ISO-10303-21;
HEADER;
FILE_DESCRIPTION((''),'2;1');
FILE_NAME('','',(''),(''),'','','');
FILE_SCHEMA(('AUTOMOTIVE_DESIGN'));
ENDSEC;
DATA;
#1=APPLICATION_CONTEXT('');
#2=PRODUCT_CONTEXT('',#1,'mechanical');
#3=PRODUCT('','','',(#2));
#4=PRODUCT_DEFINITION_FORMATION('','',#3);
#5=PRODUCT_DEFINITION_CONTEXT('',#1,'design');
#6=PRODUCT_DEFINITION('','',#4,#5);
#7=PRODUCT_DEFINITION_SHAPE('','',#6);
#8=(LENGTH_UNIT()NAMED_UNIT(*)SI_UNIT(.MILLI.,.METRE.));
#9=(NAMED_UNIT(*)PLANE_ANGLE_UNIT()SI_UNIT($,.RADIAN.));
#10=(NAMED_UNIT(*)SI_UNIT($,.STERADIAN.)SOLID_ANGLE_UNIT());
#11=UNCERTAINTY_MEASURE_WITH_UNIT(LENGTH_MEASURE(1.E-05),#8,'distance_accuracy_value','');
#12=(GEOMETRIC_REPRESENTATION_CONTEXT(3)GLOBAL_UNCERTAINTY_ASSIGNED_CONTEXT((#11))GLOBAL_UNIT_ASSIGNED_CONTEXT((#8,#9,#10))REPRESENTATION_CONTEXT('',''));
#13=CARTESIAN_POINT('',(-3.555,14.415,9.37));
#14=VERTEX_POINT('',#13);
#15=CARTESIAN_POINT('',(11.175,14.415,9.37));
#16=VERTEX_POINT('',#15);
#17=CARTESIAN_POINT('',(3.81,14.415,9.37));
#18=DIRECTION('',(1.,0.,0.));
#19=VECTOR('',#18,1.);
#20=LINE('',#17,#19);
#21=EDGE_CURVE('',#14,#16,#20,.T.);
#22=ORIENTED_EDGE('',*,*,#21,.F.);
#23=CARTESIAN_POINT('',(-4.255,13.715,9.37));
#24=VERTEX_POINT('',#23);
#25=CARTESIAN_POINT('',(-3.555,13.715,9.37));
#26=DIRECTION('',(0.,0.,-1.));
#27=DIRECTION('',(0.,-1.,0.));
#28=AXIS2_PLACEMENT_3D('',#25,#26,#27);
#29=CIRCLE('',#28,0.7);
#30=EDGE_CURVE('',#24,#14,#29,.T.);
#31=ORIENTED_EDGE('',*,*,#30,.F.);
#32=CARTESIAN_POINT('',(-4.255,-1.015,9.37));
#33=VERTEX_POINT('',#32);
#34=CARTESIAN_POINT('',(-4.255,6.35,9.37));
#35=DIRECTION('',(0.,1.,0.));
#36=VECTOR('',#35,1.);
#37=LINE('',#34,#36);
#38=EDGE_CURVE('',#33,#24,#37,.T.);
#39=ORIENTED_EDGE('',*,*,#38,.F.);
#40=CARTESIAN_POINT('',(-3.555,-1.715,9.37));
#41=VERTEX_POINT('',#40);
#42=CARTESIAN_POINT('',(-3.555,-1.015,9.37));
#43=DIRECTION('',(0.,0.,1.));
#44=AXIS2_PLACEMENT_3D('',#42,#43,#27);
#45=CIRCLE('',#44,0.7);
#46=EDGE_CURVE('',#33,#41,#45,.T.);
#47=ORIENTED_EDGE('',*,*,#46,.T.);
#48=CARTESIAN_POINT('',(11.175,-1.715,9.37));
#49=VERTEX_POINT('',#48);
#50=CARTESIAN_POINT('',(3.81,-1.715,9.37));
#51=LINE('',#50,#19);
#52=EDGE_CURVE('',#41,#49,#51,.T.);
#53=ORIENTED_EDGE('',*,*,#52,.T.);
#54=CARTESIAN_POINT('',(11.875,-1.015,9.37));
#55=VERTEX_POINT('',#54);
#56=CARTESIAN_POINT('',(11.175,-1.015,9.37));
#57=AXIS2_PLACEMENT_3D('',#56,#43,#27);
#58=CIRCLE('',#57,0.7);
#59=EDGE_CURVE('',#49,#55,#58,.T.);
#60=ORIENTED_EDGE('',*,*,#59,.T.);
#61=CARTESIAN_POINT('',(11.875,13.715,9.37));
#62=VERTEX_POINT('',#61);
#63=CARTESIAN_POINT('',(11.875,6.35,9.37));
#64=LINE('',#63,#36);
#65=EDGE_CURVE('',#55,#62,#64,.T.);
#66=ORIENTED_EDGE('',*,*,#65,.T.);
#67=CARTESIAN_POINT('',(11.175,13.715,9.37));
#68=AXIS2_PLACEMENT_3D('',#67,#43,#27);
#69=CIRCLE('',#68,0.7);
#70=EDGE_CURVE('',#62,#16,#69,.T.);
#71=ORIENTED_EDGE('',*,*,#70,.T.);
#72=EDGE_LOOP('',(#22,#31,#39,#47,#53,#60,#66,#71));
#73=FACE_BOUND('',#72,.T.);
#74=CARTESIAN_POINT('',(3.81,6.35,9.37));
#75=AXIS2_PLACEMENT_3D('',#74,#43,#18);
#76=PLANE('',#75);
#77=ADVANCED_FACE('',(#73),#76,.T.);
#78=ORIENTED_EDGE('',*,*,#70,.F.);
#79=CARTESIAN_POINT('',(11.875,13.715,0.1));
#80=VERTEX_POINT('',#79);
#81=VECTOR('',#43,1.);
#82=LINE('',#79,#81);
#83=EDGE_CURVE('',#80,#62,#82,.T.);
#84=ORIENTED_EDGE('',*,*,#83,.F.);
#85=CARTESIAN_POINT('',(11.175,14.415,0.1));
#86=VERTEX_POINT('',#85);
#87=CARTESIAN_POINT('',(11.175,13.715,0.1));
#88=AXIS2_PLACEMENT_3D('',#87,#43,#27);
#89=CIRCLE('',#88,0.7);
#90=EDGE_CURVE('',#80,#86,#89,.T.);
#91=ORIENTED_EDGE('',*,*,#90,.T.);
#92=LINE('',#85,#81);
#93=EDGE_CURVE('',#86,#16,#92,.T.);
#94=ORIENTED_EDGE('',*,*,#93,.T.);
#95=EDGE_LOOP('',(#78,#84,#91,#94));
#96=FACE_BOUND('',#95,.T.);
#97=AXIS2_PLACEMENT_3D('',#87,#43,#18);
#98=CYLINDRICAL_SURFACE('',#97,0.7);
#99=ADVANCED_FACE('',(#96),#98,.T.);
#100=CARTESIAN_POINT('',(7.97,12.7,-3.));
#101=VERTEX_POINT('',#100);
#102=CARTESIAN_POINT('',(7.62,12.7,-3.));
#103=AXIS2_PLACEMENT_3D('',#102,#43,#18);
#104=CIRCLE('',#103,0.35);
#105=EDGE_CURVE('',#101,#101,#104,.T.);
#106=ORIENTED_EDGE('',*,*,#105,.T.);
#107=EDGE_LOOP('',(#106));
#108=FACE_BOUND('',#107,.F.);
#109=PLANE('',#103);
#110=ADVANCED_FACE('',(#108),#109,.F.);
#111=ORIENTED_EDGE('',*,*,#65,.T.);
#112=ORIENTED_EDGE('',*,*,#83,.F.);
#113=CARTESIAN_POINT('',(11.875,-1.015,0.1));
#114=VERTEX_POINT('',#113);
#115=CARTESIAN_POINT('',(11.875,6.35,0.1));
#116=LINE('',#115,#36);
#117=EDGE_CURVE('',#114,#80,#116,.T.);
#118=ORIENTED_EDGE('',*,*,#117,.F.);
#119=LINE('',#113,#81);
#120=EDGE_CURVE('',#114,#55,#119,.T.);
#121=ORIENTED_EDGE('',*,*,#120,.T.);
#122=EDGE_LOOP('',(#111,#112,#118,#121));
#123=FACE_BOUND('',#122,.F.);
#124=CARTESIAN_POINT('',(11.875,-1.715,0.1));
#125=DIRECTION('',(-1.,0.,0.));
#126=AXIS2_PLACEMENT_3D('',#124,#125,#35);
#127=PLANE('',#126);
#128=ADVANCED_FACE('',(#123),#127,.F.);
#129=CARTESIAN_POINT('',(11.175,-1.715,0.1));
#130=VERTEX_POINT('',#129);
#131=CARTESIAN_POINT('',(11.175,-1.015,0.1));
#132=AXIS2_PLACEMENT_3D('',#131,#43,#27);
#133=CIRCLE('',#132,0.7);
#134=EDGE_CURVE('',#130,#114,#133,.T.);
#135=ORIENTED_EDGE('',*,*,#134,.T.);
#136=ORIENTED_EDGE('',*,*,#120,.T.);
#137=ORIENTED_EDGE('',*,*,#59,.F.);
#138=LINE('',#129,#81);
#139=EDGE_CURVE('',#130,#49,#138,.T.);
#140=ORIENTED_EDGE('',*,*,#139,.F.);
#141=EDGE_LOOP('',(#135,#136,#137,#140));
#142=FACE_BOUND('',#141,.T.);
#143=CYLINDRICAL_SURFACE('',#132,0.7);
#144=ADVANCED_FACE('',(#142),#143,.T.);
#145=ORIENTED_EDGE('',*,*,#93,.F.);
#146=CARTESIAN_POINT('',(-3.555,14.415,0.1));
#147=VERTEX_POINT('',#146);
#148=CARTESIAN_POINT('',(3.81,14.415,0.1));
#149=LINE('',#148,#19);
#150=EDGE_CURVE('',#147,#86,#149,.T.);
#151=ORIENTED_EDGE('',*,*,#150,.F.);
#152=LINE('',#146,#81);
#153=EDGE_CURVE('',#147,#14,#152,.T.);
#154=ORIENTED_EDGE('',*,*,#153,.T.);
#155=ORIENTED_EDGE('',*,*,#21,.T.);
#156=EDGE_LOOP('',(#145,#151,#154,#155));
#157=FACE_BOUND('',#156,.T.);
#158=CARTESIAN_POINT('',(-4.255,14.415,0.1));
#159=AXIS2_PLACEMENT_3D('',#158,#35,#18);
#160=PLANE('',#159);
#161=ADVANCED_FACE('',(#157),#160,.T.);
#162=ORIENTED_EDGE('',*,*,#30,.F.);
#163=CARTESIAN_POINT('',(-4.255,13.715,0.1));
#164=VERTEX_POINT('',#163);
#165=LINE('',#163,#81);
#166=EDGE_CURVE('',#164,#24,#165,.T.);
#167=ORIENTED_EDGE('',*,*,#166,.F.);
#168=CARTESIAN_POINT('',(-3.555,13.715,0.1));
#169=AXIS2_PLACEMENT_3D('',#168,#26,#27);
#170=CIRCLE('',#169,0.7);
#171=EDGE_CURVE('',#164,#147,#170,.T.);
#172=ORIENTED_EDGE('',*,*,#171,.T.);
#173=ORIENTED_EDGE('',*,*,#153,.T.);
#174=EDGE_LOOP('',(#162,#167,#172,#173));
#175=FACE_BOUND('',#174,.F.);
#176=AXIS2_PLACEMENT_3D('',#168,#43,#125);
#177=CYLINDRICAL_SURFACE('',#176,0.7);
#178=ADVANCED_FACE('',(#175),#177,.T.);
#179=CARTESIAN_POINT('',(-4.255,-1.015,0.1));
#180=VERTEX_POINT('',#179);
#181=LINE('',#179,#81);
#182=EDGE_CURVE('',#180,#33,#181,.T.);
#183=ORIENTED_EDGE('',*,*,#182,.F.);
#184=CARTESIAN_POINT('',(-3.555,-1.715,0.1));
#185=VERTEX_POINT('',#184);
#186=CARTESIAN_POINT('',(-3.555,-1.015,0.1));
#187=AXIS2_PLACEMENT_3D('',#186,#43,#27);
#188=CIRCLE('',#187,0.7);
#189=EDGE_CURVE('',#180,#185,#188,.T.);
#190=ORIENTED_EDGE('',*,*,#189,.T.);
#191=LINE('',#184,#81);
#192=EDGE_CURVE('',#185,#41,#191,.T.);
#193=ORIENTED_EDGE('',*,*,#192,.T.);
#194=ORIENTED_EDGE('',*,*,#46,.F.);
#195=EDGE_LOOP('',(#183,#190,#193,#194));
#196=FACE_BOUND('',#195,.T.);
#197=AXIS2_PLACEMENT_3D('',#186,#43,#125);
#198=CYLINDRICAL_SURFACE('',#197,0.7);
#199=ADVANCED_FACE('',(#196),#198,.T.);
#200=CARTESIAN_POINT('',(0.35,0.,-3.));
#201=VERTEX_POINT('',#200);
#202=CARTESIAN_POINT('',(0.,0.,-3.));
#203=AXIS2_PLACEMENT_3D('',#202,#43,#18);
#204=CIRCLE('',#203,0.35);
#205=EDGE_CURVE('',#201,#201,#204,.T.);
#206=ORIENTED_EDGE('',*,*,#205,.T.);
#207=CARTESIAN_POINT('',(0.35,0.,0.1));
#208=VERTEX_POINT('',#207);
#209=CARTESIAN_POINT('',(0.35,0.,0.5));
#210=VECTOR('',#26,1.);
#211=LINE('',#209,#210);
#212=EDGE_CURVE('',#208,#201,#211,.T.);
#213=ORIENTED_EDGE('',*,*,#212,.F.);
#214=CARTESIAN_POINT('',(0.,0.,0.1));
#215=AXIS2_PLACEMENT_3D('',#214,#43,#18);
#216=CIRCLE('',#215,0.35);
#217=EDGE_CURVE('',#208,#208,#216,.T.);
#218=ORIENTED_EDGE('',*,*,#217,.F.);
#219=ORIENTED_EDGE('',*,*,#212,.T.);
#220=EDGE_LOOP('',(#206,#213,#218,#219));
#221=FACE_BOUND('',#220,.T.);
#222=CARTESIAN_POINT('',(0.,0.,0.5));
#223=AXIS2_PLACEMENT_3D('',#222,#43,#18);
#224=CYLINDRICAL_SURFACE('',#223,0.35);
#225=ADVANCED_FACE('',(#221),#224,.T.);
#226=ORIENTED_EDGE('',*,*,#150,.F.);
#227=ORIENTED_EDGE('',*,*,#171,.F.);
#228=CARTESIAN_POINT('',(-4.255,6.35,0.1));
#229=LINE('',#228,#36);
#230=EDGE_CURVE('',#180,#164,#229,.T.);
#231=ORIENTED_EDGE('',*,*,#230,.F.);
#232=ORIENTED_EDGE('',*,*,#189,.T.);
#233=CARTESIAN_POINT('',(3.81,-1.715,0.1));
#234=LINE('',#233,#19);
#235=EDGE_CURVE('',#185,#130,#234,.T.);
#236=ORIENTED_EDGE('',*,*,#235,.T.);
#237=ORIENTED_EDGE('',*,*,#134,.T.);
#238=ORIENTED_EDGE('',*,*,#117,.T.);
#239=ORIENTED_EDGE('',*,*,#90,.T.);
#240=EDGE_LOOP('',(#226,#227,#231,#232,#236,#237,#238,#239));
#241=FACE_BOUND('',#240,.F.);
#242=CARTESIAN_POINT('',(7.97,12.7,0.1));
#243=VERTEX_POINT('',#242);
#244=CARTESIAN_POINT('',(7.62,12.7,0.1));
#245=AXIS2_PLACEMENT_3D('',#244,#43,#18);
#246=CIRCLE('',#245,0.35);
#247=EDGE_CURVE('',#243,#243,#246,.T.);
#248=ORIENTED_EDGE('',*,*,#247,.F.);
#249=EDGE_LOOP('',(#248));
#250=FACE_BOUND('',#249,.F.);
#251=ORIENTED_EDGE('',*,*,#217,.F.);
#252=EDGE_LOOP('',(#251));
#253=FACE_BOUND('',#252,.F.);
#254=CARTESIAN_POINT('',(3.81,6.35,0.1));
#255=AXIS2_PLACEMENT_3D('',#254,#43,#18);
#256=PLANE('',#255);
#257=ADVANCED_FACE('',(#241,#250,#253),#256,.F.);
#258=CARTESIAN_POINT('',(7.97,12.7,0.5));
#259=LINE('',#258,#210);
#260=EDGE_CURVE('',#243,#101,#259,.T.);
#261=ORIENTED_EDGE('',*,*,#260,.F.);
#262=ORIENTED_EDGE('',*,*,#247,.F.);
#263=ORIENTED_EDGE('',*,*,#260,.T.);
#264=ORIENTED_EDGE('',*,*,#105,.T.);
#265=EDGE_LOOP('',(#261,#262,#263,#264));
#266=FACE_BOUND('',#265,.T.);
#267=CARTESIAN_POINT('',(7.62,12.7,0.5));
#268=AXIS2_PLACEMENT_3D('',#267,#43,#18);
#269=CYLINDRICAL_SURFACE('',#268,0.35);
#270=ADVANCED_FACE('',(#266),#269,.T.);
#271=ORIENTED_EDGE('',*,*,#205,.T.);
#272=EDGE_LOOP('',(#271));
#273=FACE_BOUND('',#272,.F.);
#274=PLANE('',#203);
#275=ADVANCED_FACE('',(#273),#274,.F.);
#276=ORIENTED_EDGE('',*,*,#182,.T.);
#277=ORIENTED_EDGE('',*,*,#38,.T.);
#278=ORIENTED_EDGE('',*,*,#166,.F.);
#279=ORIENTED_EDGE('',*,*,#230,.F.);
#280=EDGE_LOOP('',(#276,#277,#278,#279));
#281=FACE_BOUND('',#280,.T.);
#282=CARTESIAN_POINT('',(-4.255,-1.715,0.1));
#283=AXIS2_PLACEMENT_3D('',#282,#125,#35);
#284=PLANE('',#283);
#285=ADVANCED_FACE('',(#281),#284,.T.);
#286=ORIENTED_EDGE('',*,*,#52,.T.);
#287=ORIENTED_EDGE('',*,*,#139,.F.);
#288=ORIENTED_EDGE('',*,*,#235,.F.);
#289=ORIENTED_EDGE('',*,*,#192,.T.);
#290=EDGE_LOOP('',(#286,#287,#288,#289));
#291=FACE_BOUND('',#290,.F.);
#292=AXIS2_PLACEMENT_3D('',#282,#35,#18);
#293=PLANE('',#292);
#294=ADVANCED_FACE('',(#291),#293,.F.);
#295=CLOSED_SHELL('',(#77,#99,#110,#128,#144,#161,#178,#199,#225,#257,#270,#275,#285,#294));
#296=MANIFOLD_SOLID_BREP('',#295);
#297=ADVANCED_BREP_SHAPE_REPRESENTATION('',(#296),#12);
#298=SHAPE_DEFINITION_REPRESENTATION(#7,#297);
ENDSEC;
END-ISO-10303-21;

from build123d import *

# Parameters (mm, degrees)
SKETCH001_R  = 0.35
PAD001_DEPTH = 3.5
SKETCH_W     = 16.13
SKETCH_H     = 16.13
PAD_DEPTH    = 9.27
FILLET_R     = 0.7


with BuildPart() as pad001:
    # Sketch001 → Pad001 (new body)
    with BuildSketch(Plane.XY.offset(0.5)):
        Circle(SKETCH001_R)
        with Locations((7.62, 12.7)):
            Circle(SKETCH001_R)
    extrude(amount=-PAD001_DEPTH)


with BuildPart() as fillet_mp_cp:
    # Sketch → Pad (new body)
    with BuildSketch(Plane.XY.offset(0.1)):
        with Locations((3.81, 6.35)):
            Rectangle(SKETCH_W, SKETCH_H)
    extrude(amount=PAD_DEPTH)

    # Fillet
    fillet_edges = [fillet_mp_cp.edges().sort_by_distance(p)[0] for p in [
        (11.875, -1.715, 4.735),
        (11.875, 14.415, 4.735),
        (-4.255, -1.715, 4.735),
        (-4.255, 14.415, 4.735),
    ]]
    fillet(fillet_edges, radius=FILLET_R)

    # Fillet_mp_cp: union Pad001
    add(pad001.part)


solid = fillet_mp_cp.part
